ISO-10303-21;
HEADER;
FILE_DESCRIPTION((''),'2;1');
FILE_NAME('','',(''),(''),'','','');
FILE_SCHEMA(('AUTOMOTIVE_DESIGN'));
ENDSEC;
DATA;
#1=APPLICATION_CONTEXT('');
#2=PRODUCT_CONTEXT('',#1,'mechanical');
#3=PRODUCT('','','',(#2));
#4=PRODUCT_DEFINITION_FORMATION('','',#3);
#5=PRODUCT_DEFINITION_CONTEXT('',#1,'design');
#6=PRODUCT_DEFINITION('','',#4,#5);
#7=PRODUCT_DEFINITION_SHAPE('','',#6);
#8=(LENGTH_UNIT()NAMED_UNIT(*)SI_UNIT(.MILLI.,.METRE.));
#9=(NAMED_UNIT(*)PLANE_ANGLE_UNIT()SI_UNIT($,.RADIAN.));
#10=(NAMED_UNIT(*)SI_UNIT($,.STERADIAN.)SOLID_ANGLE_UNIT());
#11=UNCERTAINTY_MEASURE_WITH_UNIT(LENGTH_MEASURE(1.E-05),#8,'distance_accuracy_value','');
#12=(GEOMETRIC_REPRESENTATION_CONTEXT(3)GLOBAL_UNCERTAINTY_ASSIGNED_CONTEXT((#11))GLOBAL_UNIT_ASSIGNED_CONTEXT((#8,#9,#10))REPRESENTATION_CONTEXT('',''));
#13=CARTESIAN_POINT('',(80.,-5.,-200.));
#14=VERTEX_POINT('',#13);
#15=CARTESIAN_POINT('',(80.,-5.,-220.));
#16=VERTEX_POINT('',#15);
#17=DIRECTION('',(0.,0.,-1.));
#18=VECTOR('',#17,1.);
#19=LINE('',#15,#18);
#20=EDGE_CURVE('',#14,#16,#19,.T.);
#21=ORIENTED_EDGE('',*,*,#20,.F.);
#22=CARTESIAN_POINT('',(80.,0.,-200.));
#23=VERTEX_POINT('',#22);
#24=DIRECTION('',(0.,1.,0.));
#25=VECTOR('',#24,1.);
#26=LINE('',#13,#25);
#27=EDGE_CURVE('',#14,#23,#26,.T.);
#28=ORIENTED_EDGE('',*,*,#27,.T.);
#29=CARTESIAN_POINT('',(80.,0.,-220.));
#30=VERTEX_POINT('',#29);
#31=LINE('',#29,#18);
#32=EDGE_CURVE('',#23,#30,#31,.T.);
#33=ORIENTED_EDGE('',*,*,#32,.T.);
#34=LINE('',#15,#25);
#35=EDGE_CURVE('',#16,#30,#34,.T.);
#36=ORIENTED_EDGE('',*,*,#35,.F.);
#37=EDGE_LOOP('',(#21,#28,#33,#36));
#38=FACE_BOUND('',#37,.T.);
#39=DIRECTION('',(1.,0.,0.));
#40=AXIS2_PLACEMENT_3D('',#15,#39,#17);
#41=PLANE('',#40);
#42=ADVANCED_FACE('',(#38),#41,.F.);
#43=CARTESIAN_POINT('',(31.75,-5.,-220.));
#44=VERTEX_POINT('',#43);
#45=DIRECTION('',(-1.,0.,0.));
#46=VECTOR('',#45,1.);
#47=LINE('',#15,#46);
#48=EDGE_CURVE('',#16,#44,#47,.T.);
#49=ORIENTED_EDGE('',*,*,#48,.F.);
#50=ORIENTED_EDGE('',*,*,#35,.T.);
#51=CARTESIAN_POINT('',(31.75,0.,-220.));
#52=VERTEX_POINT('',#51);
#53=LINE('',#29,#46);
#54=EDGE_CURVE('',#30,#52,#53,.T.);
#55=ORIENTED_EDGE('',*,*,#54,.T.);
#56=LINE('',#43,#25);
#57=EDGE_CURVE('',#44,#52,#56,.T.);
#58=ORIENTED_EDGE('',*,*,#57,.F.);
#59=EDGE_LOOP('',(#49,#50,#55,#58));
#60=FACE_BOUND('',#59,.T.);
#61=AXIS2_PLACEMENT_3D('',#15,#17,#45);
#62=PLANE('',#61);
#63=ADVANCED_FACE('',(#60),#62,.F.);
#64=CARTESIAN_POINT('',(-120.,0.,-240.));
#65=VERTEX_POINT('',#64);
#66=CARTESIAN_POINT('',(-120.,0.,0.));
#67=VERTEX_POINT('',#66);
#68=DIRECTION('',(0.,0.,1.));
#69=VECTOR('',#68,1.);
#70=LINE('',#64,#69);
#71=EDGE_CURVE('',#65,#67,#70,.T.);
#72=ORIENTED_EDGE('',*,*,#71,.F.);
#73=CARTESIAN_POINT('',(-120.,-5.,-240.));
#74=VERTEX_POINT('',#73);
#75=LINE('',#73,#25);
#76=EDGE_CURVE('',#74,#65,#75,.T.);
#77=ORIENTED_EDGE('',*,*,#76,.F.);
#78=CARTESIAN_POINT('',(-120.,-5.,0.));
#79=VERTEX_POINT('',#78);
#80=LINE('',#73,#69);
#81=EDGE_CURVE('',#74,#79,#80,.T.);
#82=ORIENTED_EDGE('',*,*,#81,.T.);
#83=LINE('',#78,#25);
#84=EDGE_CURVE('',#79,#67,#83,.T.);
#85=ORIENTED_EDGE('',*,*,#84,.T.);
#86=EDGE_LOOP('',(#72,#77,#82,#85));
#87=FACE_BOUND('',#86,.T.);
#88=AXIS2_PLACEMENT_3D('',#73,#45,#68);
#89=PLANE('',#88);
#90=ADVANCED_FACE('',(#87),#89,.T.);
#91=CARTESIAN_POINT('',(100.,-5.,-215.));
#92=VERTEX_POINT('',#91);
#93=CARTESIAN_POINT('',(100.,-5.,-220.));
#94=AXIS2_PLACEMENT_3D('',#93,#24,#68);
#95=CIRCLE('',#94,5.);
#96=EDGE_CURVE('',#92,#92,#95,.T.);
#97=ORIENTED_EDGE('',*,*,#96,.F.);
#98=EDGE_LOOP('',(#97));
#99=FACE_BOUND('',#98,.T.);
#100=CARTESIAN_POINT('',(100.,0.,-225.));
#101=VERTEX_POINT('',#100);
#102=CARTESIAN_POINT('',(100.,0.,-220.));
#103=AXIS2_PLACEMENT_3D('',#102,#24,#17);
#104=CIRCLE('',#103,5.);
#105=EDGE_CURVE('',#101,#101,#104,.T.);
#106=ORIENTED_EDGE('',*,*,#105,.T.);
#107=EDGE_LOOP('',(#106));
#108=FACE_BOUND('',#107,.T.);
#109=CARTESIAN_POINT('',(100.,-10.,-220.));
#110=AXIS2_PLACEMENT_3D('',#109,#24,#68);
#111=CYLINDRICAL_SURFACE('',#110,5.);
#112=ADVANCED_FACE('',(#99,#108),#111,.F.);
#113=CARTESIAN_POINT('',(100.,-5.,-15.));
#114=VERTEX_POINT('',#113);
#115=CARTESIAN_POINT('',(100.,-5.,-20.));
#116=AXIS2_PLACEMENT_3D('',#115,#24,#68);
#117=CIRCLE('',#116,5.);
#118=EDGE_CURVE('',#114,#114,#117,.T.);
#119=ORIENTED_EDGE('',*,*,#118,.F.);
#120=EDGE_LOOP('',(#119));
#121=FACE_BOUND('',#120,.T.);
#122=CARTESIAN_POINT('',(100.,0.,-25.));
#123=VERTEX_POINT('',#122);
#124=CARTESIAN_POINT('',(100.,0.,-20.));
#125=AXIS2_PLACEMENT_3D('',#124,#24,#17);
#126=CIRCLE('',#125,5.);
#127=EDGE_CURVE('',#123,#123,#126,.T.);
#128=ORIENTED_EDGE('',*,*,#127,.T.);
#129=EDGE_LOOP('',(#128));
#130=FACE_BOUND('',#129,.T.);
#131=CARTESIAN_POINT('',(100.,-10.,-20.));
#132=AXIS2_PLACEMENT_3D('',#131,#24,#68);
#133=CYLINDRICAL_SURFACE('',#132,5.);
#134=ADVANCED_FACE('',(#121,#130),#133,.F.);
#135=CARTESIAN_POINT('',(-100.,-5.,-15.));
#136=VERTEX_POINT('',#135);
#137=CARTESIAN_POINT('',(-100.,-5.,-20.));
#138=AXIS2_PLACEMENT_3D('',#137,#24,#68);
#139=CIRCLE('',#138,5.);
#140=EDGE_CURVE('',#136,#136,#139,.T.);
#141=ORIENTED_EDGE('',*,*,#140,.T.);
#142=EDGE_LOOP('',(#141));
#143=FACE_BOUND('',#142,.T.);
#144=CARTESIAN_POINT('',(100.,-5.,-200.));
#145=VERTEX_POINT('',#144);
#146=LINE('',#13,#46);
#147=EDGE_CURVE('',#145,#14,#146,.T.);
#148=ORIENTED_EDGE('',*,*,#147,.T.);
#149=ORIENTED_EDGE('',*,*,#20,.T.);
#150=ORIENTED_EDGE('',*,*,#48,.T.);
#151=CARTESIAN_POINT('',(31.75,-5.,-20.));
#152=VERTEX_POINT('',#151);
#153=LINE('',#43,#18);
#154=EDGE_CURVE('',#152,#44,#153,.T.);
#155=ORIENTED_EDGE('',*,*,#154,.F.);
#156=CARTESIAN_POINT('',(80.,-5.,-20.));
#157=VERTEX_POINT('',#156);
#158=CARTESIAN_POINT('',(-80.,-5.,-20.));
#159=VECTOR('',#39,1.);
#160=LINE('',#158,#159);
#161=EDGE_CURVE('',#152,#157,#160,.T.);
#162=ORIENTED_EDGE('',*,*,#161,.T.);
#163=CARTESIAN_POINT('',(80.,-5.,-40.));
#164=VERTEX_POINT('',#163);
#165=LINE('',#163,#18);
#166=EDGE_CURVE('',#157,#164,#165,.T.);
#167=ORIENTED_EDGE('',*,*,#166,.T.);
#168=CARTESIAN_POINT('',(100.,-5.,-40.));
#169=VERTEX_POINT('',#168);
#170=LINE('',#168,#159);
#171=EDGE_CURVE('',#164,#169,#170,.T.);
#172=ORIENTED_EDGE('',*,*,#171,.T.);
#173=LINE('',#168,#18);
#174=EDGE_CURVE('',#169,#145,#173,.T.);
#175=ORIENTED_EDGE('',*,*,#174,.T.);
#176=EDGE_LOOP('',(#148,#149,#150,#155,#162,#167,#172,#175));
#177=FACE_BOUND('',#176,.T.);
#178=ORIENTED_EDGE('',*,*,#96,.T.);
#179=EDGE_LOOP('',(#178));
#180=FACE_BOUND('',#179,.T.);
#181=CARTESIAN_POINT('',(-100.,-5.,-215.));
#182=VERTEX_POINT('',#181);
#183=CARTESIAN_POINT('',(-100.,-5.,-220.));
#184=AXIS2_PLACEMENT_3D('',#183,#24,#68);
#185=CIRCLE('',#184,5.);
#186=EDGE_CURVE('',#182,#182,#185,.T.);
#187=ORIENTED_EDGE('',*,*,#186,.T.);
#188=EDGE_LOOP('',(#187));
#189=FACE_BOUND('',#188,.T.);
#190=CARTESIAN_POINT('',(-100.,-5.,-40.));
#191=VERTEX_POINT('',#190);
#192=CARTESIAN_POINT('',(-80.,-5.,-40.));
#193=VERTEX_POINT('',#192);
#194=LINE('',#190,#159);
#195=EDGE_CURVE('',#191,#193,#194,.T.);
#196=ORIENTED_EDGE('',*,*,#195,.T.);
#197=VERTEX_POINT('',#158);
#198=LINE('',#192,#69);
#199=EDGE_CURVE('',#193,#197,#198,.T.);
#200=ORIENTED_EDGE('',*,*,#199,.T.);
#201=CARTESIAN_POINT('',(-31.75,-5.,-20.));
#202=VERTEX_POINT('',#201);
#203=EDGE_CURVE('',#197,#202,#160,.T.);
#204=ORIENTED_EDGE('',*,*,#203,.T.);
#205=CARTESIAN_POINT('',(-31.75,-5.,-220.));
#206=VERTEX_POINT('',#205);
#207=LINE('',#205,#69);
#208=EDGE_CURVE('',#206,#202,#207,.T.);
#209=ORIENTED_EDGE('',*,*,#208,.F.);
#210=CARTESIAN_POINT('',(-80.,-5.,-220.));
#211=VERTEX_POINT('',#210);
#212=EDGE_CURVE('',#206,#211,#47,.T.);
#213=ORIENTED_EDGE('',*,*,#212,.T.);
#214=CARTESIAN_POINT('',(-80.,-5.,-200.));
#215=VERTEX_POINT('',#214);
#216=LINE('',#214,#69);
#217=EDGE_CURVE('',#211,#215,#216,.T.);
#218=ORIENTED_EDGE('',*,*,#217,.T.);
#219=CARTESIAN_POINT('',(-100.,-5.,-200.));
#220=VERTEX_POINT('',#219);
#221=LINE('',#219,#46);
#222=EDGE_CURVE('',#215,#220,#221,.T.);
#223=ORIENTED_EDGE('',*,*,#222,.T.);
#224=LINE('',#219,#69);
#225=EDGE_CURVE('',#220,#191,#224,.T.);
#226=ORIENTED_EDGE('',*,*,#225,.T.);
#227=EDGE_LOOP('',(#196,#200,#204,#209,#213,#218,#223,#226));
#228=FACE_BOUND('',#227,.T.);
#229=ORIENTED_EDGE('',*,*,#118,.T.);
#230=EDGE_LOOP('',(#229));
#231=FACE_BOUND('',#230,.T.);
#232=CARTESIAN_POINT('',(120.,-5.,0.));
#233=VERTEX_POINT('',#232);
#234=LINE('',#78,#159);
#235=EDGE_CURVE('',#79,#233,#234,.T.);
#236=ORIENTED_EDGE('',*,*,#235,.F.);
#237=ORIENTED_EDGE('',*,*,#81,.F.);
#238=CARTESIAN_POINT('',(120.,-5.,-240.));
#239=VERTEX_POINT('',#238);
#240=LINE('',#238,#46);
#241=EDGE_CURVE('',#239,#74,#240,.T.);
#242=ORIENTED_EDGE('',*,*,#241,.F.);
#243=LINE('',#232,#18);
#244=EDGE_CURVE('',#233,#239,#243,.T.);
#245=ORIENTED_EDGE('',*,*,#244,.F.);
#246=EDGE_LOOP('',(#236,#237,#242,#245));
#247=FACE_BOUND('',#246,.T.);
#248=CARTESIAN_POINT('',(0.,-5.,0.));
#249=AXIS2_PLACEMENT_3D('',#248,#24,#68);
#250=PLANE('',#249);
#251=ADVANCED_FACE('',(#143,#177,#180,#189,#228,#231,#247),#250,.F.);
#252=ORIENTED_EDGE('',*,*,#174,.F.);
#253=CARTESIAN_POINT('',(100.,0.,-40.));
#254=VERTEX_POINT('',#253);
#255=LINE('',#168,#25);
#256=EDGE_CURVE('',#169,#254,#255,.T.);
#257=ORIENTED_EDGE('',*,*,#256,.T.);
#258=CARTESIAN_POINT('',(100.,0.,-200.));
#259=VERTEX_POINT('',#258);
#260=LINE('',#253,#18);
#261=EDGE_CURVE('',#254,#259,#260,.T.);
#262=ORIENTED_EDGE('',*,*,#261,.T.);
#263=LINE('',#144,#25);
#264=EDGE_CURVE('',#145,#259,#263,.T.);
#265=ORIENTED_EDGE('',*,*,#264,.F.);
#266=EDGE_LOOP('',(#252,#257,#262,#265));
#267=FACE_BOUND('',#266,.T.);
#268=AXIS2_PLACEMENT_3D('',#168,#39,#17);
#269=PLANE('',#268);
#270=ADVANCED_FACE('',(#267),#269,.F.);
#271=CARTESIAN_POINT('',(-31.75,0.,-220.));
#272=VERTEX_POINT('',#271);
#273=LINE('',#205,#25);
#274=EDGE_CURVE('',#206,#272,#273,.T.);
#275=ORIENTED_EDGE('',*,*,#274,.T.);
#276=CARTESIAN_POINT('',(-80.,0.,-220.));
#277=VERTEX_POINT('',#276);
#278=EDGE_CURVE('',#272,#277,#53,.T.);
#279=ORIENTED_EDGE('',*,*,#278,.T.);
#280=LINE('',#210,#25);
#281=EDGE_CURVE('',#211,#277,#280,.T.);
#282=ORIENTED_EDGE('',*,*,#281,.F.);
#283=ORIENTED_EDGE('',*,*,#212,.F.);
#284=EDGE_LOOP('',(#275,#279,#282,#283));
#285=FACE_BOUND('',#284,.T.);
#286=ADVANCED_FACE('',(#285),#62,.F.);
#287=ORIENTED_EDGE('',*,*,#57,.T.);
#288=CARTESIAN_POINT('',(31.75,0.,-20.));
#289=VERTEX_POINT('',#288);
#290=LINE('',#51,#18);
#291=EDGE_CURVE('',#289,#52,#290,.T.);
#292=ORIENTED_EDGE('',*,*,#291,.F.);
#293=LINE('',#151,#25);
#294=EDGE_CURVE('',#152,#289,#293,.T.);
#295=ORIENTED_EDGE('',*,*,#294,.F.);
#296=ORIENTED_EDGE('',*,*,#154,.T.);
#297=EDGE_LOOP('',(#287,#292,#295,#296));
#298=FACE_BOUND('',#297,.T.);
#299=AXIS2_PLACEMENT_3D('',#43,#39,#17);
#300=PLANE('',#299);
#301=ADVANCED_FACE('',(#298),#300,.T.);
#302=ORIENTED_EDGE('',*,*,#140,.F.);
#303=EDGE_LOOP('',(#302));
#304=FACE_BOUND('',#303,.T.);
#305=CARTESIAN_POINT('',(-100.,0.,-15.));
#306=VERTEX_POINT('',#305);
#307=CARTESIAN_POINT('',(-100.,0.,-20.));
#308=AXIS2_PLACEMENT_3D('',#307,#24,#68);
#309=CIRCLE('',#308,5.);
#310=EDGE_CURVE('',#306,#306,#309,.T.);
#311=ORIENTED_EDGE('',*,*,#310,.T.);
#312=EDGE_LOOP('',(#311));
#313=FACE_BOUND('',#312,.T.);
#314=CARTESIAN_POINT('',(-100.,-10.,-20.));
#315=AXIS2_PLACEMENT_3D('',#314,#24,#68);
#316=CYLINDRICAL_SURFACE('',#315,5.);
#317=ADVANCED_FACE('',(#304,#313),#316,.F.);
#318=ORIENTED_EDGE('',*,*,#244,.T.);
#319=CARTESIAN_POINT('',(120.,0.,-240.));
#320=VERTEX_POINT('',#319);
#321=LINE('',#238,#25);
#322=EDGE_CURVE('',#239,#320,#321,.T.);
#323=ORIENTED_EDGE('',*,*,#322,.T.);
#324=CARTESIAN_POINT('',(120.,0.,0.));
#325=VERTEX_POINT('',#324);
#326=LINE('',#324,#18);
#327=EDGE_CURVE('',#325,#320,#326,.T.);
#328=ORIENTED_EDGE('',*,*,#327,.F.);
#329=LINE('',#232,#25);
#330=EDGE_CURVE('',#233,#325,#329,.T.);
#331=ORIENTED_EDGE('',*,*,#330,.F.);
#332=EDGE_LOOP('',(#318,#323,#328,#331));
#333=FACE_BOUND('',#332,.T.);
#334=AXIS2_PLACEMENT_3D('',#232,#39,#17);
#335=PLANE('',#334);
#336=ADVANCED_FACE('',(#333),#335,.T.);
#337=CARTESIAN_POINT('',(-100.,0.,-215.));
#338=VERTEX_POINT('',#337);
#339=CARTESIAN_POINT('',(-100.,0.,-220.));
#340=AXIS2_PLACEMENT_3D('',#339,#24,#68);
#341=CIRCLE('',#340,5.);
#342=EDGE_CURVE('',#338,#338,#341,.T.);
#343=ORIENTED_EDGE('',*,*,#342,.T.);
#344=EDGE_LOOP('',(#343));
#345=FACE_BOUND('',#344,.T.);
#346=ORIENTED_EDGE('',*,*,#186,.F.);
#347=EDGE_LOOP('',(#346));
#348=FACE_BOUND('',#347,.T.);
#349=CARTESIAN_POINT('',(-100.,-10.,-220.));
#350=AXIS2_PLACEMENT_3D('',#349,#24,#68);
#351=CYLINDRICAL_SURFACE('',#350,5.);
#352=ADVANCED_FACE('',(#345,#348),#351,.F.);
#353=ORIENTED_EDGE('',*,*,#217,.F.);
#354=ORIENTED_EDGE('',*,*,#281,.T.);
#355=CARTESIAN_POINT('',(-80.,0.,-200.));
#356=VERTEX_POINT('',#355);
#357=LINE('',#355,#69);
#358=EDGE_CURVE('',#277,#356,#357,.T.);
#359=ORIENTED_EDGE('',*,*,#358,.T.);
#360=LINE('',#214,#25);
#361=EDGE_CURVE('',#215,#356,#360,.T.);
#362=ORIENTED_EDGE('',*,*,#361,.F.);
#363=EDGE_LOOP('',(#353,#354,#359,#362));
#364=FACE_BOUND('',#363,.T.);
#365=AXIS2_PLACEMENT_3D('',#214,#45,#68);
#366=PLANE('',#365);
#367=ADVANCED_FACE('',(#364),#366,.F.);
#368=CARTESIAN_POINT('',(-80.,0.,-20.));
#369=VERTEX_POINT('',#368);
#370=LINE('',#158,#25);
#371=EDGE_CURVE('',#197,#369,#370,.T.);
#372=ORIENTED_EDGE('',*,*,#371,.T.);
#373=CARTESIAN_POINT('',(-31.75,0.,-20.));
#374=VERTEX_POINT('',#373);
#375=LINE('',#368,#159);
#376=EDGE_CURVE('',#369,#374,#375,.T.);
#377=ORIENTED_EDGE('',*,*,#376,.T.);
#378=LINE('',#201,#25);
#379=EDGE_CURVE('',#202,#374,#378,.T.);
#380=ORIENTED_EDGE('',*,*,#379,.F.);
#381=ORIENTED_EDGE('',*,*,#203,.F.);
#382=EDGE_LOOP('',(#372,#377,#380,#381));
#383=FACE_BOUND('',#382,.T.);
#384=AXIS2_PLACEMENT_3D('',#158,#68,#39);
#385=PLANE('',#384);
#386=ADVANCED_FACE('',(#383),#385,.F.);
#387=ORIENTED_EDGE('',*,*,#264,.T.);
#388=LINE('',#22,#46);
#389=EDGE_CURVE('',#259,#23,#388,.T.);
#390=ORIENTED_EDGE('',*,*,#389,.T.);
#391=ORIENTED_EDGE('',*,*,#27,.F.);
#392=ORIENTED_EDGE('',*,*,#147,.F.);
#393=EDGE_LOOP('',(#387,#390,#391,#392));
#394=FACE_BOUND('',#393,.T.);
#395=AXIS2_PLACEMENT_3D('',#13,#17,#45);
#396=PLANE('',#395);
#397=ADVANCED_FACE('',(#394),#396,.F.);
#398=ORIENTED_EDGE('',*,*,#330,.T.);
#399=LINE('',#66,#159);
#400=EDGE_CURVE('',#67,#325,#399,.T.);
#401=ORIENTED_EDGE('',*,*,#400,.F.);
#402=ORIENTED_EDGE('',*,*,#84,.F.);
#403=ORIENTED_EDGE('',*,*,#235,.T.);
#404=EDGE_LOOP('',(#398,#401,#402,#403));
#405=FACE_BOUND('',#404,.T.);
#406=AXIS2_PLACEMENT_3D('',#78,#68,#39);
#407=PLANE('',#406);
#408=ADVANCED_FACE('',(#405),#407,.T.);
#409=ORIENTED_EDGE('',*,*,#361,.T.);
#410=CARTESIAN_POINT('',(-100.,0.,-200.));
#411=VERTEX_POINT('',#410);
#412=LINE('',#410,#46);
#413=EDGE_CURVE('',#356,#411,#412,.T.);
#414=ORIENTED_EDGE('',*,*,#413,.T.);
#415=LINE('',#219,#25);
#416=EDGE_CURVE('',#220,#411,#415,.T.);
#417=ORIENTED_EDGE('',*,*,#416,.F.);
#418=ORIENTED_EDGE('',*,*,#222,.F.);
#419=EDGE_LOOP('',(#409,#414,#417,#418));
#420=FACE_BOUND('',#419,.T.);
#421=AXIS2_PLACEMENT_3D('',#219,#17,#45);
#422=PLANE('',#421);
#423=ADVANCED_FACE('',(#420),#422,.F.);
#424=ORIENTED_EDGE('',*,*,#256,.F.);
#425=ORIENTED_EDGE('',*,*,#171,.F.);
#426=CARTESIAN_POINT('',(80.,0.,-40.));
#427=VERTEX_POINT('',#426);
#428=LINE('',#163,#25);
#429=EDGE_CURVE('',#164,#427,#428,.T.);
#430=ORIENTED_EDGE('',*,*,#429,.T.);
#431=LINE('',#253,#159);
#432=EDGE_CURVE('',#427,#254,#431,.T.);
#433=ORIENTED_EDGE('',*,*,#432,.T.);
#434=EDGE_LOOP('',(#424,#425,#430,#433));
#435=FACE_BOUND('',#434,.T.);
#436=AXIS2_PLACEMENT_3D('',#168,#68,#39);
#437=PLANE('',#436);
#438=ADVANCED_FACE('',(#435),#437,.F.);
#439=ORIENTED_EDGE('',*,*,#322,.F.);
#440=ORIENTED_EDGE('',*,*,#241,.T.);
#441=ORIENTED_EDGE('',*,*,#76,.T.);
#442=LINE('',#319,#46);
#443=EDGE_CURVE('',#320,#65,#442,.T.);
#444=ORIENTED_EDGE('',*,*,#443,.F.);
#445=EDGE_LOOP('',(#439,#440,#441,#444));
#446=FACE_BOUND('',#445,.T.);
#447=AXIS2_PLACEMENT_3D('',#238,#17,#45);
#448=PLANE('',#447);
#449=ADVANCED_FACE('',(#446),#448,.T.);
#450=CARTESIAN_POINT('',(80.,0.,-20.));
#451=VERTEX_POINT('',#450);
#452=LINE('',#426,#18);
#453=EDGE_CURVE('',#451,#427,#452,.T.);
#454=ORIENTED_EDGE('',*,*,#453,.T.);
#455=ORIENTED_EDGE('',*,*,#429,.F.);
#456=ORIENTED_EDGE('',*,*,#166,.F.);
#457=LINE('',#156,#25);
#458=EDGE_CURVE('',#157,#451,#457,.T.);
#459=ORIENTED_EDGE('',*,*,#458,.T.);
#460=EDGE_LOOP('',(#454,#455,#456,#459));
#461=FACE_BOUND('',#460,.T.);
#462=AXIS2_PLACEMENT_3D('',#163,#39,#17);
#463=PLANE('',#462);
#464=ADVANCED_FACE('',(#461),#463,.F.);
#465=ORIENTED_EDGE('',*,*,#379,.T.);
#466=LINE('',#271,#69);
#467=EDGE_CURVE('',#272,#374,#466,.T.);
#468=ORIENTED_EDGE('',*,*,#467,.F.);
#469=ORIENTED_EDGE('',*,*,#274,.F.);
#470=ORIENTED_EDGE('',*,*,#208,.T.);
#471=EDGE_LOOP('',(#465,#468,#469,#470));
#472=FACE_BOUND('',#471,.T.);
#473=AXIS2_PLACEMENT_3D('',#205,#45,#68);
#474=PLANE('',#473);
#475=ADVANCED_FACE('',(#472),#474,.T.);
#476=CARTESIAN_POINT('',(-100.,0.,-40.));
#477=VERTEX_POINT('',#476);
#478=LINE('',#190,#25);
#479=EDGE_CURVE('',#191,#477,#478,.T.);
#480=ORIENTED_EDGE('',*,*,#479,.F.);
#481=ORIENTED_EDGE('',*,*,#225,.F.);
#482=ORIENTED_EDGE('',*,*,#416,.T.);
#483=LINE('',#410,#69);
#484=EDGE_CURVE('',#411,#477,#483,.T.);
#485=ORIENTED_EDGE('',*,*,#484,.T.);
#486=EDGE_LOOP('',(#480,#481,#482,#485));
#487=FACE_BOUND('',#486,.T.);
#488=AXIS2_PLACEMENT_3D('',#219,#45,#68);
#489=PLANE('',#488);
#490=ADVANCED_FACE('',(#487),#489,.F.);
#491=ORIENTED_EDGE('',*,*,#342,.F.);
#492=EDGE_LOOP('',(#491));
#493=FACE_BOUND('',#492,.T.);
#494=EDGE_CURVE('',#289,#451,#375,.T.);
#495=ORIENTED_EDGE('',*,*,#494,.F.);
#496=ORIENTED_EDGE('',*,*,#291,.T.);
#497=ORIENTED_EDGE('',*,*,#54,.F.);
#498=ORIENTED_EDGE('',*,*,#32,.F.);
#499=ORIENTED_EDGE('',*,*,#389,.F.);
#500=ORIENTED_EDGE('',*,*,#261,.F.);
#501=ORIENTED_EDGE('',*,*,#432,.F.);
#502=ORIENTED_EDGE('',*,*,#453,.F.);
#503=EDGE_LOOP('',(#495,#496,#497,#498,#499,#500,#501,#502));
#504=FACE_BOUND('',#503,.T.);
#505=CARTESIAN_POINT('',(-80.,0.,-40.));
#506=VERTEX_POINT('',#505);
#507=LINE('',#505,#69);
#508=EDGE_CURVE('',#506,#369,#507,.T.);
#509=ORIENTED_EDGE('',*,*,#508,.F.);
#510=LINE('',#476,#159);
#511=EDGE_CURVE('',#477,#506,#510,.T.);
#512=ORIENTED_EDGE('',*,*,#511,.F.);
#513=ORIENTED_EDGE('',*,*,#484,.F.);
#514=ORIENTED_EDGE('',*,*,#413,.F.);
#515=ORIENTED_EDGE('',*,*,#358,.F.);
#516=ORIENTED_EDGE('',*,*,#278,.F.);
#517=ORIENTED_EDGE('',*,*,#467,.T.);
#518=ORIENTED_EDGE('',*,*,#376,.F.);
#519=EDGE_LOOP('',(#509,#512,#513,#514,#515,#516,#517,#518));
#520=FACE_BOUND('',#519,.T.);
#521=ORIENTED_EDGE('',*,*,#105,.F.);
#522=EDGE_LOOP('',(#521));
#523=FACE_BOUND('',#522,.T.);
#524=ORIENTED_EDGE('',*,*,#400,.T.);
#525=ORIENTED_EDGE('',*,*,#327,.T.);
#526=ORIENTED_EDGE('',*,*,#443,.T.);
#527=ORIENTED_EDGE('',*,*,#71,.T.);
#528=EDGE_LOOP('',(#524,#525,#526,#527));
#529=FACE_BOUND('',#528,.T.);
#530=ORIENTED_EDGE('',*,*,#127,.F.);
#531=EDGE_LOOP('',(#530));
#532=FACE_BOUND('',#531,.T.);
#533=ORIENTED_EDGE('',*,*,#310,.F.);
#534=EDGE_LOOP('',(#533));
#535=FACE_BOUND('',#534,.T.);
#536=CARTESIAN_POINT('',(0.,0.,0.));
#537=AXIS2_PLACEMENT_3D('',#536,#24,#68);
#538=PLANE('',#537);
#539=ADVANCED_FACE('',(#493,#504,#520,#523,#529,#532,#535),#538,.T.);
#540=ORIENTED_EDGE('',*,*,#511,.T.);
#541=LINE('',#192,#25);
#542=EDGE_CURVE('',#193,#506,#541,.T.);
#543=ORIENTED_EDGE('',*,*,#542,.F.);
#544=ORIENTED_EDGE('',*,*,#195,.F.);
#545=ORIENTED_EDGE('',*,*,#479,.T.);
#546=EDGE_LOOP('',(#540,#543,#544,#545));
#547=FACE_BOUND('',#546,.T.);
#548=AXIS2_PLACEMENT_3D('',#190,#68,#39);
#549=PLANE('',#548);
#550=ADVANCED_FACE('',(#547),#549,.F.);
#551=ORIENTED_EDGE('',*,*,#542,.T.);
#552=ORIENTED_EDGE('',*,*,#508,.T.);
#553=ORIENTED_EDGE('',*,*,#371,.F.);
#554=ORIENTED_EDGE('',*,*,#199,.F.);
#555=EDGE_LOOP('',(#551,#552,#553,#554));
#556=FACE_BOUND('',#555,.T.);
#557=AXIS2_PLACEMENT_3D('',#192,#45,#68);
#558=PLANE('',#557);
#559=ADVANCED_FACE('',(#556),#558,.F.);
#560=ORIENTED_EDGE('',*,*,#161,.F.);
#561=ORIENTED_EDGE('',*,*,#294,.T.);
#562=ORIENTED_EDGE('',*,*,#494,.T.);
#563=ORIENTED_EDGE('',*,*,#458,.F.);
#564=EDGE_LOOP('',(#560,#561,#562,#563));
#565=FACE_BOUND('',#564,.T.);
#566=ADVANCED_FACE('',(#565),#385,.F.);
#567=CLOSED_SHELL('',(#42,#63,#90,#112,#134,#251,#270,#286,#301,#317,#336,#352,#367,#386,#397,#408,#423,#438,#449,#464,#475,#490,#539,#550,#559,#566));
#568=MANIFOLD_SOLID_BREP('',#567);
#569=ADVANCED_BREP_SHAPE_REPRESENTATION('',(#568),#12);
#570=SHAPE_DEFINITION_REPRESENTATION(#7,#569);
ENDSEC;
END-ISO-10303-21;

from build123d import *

# Parameters (mm, degrees)
SKETCH2_W           = 240
SKETCH2_H           = 240
BOSS_EXTRUDE1_DEPTH = 5
SKETCH3_W           = 63.5
SKETCH3_H           = 200
BOSS_EXTRUDE2_DEPTH = 5
SKETCH10_R          = 5
CUT_EXTRUDE1_DEPTH  = 10


with BuildPart() as part:
    # Sketch2 → Boss-Extrude1 (new body)
    with BuildSketch(Plane(origin=(0, 0, 0), x_dir=(1, 0, 0), z_dir=(0, 1, 0))):
        with Locations((0, 120)):
            Rectangle(SKETCH2_W, SKETCH2_H)
        Polygon((-100, 200), (-100, 40), (-80, 40), (-80, 20), (80, 20), (80, 40), (100, 40), (100, 200), (80, 200), (80, 220), (-80, 220), (-80, 200), align=None, mode=Mode.SUBTRACT)
    extrude(amount=-BOSS_EXTRUDE1_DEPTH)

    # Sketch3 → Boss-Extrude2 (add)
    with BuildSketch(Plane(origin=(0, 0, 0), x_dir=(1, 0, 0), z_dir=(0, 1, 0))):
        with Locations((0, 120)):
            Rectangle(SKETCH3_W, SKETCH3_H)
    extrude(amount=-BOSS_EXTRUDE2_DEPTH)

    # Sketch10 → Cut-Extrude1 (cut)
    with BuildSketch(Plane(origin=(0, 0, 0), x_dir=(1, 0, 0), z_dir=(0, 1, 0))):
        with Locations(Location((-100, 20, 0), (0, 0, 270))):
            Circle(SKETCH10_R)
        with Locations(Location((100, 20, 0), (0, 0, 270))):
            Circle(SKETCH10_R)
        with Locations(Location((-100, 220, 0), (0, 0, 270))):
            Circle(SKETCH10_R)
        with Locations(Location((100, 220, 0), (0, 0, 270))):
            Circle(SKETCH10_R)
    extrude(amount=-CUT_EXTRUDE1_DEPTH, mode=Mode.SUBTRACT)


solid = part.part
